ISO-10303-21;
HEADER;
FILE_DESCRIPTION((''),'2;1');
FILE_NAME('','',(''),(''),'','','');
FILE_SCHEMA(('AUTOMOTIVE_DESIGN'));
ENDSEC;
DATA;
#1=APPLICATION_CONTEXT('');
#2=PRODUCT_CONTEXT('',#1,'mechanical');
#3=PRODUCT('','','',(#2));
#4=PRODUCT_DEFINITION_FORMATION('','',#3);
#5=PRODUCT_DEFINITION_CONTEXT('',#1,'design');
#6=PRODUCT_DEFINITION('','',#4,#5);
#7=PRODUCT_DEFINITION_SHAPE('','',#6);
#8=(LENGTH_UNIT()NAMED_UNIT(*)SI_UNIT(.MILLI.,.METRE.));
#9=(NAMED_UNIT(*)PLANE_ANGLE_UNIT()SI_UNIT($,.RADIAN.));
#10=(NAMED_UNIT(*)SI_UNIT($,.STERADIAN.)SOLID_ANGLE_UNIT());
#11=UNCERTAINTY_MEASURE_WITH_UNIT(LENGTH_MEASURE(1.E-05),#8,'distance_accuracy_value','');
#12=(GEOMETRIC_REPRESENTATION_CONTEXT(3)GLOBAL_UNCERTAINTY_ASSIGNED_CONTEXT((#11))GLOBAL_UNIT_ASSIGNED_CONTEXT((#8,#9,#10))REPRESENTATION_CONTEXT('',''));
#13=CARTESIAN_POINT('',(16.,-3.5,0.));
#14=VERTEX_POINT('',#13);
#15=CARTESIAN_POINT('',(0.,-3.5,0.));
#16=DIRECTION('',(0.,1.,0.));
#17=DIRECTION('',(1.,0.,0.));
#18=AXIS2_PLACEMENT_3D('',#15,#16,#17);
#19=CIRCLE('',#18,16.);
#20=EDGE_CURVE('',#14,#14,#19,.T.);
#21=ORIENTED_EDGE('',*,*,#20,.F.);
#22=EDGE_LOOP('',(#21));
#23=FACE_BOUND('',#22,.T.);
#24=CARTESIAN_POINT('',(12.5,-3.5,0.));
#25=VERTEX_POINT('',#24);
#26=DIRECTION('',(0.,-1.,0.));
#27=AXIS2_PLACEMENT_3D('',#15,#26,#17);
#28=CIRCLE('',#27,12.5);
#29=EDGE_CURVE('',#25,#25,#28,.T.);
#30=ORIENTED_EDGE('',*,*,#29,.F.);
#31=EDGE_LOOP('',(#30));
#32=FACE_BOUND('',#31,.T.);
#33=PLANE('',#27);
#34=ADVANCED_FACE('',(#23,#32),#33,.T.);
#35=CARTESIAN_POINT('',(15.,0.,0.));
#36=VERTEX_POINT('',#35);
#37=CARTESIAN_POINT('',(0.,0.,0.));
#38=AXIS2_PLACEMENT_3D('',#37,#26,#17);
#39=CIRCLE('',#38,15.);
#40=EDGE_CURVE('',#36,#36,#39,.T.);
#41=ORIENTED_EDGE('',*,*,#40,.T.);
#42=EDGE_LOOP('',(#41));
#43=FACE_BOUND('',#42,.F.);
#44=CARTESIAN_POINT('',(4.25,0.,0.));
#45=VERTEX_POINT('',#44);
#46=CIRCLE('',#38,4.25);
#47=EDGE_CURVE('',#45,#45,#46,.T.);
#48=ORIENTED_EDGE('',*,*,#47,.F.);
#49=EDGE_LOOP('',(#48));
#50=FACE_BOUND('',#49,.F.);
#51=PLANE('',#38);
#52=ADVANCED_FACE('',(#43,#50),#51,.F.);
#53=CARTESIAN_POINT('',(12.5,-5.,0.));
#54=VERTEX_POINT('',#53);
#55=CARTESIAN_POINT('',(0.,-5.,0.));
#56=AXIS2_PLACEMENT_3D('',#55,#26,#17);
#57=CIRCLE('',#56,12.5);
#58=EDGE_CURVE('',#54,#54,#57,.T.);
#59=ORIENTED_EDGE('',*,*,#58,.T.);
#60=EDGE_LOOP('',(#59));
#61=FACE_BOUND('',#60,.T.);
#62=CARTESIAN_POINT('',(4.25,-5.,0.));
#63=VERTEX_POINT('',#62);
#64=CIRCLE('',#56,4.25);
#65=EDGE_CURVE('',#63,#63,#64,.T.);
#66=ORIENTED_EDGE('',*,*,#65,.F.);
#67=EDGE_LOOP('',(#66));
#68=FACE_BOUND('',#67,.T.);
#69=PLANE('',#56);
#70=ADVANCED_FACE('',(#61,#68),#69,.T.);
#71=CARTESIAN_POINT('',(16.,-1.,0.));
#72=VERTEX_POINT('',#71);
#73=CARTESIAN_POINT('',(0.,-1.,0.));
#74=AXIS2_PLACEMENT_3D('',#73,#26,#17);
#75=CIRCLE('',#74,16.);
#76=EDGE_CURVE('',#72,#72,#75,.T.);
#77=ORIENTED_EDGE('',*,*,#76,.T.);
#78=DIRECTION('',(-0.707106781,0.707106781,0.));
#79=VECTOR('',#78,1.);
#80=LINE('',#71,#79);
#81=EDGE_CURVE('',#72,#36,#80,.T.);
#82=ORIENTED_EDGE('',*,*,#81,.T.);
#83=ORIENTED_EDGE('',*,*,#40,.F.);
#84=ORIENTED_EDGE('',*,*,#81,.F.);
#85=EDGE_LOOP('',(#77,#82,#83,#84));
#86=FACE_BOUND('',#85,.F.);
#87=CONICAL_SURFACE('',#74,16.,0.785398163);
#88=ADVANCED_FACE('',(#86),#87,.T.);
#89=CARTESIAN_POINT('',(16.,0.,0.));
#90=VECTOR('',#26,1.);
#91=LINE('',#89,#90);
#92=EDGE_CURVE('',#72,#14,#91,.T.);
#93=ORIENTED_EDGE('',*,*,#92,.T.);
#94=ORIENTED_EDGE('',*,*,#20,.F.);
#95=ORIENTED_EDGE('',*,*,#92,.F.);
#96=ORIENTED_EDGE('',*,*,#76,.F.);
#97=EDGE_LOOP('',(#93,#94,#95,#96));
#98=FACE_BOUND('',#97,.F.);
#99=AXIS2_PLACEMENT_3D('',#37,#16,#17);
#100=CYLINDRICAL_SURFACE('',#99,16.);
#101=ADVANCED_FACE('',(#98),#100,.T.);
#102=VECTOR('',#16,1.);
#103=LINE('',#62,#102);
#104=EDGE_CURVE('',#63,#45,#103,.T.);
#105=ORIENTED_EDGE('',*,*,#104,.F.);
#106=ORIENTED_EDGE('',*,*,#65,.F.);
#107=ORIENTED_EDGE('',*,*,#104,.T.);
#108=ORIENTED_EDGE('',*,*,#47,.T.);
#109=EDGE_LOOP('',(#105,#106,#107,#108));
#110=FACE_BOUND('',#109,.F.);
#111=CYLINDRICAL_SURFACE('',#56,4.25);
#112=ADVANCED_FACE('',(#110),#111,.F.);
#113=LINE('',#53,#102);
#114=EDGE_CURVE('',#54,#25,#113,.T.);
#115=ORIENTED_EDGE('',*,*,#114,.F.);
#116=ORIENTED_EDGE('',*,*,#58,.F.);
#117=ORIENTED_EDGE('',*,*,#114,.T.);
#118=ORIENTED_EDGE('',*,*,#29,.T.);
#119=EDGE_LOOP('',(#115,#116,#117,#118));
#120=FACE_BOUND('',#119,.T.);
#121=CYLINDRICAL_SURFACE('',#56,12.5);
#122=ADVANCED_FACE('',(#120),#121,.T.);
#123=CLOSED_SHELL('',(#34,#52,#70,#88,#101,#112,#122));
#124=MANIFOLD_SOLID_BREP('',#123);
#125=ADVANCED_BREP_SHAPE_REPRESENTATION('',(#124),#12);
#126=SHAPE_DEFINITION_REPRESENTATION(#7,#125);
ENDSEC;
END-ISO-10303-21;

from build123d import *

# Parameters (mm, degrees)
F0_R     = 16
F1_DEPTH = 5
F2_R     = 23.291419
F2_R_2   = 12.5
F3_DEPTH = 1.5
F4_SIZE  = 1
F5_R     = 4.25
F6_DEPTH = 25


with BuildPart() as f1:
    # F0 (on Front) → F1 (new body)
    with BuildSketch(Plane.XZ):
        Circle(F0_R)
    extrude(amount=F1_DEPTH)

    # F2 (on face) → F3 (cut)
    with BuildSketch(Plane.XZ.offset(5)):
        Circle(F2_R)
        Circle(F2_R_2, mode=Mode.SUBTRACT)
    extrude(amount=-F3_DEPTH, mode=Mode.SUBTRACT)

    # F4
    f4_edges = [f1.edges().sort_by_distance(p)[0] for p in [
        (-16, 0, 0),
    ]]
    chamfer(f4_edges, length=F4_SIZE)

    # F5 (on face) → F6 (cut)
    with BuildSketch(Plane.XZ.offset(5)):
        Circle(F5_R)
    extrude(amount=-F6_DEPTH, mode=Mode.SUBTRACT)


solid = f1.part
